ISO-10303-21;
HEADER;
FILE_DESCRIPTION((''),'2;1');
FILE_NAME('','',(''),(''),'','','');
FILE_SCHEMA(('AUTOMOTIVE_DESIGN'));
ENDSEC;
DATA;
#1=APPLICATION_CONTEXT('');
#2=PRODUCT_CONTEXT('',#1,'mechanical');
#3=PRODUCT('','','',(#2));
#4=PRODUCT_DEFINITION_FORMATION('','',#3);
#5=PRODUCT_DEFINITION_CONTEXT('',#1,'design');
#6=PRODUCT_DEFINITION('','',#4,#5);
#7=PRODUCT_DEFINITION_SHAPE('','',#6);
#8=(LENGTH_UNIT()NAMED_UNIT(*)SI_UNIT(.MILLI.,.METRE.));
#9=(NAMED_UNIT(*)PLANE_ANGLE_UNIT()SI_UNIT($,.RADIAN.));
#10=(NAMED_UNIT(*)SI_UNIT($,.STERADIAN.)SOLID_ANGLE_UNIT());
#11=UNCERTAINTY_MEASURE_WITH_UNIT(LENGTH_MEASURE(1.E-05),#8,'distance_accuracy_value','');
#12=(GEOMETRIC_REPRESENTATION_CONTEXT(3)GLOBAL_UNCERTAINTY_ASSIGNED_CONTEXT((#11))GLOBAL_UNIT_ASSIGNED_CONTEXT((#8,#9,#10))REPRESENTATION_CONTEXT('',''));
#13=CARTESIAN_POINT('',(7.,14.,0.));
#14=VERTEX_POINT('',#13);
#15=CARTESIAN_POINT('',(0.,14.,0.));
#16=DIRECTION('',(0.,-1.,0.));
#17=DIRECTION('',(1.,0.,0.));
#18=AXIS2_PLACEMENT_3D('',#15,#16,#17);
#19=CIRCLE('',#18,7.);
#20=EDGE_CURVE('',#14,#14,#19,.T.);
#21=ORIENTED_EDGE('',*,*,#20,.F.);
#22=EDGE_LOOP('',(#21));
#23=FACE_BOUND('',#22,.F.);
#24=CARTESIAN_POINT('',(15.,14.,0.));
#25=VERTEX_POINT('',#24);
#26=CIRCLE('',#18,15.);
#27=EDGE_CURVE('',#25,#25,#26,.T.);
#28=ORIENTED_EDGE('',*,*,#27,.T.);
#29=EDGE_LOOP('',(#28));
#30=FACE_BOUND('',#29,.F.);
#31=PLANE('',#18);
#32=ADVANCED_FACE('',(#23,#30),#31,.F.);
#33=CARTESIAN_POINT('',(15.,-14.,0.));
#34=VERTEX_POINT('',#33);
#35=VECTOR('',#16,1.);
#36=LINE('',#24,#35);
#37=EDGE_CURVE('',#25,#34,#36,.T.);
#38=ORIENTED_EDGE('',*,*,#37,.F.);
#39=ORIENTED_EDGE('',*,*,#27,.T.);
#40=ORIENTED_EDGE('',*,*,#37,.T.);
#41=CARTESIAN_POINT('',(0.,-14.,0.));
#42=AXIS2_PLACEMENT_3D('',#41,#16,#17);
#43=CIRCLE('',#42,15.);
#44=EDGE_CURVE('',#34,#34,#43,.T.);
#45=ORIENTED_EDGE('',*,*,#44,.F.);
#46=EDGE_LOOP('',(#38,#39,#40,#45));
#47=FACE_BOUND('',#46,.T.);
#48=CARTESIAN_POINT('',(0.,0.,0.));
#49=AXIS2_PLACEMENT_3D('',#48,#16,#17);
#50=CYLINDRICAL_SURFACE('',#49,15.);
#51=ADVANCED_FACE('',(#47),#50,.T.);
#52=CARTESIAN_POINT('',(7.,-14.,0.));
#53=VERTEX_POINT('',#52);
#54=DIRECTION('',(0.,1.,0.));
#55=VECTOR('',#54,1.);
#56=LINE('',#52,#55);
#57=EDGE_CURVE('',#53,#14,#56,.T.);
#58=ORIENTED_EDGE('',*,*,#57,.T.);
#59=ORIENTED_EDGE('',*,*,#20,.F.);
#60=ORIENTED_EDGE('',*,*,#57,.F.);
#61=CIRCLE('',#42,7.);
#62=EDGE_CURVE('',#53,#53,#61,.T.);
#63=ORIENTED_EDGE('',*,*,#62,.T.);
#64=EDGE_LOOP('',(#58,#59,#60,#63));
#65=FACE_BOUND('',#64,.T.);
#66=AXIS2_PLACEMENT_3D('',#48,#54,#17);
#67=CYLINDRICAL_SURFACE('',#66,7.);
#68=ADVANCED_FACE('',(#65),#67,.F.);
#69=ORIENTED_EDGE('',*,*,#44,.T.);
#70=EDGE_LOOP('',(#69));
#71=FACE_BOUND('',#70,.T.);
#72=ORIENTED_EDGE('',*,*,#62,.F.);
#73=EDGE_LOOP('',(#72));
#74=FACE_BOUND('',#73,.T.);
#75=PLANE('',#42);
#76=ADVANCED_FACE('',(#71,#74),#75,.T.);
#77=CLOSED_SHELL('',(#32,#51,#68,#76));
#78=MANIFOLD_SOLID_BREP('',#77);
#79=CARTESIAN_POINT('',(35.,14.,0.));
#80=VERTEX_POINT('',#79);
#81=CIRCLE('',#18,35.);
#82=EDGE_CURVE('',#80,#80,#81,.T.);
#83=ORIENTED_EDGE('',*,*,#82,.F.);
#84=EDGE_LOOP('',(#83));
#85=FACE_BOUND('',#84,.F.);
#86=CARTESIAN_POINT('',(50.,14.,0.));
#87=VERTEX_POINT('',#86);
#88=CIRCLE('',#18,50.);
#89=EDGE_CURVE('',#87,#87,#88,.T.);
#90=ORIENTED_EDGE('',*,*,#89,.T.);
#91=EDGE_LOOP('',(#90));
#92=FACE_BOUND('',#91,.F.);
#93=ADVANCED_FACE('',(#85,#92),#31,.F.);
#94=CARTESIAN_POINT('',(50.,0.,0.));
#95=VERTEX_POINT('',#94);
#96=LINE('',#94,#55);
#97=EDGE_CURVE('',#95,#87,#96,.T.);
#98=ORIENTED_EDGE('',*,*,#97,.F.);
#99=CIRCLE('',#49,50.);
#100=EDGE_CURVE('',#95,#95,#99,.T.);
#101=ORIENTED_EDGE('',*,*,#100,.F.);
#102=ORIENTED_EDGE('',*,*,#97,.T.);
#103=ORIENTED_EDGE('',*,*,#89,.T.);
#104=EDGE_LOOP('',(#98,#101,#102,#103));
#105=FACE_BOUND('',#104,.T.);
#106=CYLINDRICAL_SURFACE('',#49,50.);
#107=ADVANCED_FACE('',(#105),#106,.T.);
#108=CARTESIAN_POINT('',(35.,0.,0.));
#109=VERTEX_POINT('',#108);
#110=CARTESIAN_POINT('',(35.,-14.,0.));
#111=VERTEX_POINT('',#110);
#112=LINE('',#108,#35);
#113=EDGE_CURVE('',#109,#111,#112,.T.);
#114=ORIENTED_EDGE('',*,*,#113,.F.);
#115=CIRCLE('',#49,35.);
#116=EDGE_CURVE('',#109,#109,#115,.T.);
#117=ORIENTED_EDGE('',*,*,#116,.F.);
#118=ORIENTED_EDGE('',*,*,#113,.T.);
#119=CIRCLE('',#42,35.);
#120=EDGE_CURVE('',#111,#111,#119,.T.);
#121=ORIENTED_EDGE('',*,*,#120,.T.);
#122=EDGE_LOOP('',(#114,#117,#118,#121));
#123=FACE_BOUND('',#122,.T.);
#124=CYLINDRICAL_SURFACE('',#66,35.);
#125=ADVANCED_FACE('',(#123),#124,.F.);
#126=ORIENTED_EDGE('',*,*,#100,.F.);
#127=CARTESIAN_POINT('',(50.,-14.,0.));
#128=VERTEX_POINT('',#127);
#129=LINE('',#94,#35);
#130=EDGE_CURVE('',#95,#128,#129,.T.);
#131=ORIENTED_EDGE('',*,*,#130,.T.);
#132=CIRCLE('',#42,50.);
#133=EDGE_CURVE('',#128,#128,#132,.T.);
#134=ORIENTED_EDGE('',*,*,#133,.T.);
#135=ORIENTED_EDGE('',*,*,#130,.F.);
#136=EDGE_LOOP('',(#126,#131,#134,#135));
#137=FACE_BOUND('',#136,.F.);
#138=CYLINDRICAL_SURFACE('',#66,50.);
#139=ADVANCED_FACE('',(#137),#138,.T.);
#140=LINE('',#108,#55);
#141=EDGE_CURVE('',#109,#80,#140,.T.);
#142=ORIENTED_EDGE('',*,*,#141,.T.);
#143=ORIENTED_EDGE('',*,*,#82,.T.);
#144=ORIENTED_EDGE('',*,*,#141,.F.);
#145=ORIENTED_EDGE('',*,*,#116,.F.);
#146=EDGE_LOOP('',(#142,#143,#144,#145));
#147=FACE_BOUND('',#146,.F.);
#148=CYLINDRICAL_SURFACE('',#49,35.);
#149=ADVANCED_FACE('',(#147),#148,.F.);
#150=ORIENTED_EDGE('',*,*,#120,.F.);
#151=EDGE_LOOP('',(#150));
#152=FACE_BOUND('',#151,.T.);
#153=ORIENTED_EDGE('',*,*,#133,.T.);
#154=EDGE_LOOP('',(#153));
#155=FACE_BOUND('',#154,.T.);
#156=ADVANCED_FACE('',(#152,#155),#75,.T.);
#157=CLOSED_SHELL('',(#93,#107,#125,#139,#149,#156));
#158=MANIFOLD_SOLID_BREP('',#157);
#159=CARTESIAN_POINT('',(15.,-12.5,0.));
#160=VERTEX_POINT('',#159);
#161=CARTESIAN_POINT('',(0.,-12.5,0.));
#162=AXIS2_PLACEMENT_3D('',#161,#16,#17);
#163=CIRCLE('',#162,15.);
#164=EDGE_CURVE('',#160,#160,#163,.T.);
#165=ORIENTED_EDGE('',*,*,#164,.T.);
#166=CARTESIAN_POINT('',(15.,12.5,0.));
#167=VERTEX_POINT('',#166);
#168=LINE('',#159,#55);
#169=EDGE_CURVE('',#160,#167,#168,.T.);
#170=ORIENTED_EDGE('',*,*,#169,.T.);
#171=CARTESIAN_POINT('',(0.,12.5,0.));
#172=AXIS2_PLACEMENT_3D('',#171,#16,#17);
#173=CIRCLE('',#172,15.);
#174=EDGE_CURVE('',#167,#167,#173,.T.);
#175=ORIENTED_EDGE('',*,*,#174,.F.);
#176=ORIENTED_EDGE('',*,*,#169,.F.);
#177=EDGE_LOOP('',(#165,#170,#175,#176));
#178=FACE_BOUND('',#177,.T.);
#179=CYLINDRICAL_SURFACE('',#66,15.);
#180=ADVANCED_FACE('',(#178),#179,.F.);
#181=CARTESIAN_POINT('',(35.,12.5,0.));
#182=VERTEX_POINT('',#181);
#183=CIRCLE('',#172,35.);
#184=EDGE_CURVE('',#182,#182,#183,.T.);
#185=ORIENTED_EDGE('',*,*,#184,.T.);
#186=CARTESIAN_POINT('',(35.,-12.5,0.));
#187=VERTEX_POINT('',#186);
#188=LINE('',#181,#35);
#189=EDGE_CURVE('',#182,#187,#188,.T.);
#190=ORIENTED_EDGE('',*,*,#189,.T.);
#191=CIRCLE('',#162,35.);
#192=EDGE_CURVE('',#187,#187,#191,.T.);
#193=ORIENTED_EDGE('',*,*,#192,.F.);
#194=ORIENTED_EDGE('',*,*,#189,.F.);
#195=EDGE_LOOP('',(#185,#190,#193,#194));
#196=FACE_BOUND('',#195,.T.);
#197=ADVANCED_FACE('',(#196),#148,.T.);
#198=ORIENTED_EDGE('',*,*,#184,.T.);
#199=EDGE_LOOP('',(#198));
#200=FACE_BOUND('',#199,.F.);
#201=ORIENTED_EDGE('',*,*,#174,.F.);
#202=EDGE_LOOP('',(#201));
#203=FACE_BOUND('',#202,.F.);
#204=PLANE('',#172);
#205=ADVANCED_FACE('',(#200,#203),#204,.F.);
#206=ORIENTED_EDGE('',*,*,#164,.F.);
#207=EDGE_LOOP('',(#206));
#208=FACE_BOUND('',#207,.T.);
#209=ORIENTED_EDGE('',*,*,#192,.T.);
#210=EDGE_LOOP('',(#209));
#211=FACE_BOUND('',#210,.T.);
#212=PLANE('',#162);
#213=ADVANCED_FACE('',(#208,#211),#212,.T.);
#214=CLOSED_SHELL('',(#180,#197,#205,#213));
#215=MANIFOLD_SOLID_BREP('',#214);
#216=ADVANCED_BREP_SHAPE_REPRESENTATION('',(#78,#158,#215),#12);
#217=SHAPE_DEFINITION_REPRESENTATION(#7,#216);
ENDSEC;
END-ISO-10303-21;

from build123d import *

# Parameters (mm, degrees)
F0_R     = 50
F0_R_2   = 35
F0_R_3   = 15
F0_R_4   = 7
F1_DEPTH = 14
F2_DEPTH = 12.5


with BuildPart() as f1:
    # F0 (on Front) → F1 (new body, symmetric)
    with BuildSketch(Plane.XZ):
        Circle(F0_R)
        Circle(F0_R_2, mode=Mode.SUBTRACT)
        Circle(F0_R_3)
        Circle(F0_R_4, mode=Mode.SUBTRACT)
    extrude(amount=F1_DEPTH, both=True)


with BuildPart() as f2:
    # F0 (on Front) → F2 (new body, symmetric)
    with BuildSketch(Plane.XZ):
        Circle(F0_R_2)
        Circle(F0_R_3, mode=Mode.SUBTRACT)
    extrude(amount=F2_DEPTH, both=True)


solid = Compound([f1.part, f2.part])
